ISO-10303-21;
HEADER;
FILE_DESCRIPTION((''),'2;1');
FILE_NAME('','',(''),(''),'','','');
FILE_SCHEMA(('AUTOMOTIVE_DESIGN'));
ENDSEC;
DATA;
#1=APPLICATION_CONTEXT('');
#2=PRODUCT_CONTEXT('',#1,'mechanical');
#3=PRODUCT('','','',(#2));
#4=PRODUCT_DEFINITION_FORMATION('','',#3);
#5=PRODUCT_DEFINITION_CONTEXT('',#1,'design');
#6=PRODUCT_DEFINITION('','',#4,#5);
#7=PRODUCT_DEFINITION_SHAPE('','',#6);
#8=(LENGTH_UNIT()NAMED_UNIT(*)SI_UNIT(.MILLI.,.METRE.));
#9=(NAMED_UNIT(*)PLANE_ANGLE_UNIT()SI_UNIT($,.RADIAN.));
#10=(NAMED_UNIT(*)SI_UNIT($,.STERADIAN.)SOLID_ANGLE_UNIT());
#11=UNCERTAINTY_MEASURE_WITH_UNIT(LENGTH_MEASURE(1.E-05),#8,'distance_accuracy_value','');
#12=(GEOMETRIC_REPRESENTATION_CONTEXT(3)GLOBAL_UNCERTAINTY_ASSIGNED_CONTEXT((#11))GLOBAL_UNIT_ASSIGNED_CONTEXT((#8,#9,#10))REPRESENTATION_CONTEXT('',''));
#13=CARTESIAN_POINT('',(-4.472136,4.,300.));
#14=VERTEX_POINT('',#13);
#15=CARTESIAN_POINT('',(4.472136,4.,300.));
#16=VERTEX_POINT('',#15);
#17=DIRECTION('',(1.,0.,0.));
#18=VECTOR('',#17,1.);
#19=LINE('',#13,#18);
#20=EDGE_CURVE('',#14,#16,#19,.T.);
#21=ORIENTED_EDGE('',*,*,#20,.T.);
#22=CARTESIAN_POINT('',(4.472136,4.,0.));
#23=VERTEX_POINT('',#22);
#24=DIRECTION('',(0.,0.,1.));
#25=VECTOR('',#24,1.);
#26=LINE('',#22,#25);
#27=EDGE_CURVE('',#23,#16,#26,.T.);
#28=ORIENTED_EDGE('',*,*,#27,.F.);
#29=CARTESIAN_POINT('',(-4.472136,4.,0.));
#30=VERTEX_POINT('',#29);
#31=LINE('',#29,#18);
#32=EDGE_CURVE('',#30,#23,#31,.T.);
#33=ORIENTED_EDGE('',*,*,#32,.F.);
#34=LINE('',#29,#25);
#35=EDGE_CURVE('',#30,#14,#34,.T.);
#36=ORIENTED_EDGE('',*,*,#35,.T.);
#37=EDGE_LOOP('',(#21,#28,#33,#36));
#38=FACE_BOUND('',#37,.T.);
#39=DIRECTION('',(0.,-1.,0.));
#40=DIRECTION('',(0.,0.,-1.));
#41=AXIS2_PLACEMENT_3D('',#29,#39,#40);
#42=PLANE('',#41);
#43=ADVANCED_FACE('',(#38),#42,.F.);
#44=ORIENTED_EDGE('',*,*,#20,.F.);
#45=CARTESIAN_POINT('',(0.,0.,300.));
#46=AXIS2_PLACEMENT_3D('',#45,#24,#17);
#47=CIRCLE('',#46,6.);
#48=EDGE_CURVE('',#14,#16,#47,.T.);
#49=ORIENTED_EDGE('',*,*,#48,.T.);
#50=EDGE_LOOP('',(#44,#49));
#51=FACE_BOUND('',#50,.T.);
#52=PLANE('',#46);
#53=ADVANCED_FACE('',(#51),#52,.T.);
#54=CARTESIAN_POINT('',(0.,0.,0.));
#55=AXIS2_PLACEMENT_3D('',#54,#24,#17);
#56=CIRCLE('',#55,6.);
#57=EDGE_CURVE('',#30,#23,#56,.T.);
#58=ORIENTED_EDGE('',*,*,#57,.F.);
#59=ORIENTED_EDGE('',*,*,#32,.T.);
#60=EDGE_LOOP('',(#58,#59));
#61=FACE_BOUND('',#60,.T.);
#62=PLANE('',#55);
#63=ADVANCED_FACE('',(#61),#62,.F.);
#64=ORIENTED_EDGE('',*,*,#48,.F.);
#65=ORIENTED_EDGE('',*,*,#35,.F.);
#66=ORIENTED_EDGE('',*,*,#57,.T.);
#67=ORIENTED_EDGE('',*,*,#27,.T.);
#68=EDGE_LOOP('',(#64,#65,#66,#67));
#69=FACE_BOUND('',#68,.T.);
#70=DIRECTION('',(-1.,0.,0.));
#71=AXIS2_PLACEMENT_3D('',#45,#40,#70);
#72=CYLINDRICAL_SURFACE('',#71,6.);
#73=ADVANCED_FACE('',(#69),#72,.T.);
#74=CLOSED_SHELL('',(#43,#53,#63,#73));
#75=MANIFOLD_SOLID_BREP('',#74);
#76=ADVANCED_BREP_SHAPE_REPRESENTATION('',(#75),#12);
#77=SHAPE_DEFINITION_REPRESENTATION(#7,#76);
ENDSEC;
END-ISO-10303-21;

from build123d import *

# Parameters (mm, degrees)
SKETCH_1_R          = 6
EXTRUDE_1_DEPTH     = 300
CUT_EXTRUDE_1_DEPTH = 301.11997601


with BuildPart() as part:
    # 草图1 → 凸台-拉伸1 (new body)
    with BuildSketch(Plane.XY):
        Circle(SKETCH_1_R)
    extrude(amount=EXTRUDE_1_DEPTH)

    # 草图2 → 切除-拉伸1 (cut, through all)
    with BuildSketch(Plane.XY.offset(300)):
        with BuildLine():
            Line((-4.472135955, 4), (4.472135955, 4))
            ThreePointArc((4.472135955, 4), (0, 6), (-4.472135955, 4))
        make_face()
    extrude(amount=-CUT_EXTRUDE_1_DEPTH, mode=Mode.SUBTRACT)


solid = part.part
